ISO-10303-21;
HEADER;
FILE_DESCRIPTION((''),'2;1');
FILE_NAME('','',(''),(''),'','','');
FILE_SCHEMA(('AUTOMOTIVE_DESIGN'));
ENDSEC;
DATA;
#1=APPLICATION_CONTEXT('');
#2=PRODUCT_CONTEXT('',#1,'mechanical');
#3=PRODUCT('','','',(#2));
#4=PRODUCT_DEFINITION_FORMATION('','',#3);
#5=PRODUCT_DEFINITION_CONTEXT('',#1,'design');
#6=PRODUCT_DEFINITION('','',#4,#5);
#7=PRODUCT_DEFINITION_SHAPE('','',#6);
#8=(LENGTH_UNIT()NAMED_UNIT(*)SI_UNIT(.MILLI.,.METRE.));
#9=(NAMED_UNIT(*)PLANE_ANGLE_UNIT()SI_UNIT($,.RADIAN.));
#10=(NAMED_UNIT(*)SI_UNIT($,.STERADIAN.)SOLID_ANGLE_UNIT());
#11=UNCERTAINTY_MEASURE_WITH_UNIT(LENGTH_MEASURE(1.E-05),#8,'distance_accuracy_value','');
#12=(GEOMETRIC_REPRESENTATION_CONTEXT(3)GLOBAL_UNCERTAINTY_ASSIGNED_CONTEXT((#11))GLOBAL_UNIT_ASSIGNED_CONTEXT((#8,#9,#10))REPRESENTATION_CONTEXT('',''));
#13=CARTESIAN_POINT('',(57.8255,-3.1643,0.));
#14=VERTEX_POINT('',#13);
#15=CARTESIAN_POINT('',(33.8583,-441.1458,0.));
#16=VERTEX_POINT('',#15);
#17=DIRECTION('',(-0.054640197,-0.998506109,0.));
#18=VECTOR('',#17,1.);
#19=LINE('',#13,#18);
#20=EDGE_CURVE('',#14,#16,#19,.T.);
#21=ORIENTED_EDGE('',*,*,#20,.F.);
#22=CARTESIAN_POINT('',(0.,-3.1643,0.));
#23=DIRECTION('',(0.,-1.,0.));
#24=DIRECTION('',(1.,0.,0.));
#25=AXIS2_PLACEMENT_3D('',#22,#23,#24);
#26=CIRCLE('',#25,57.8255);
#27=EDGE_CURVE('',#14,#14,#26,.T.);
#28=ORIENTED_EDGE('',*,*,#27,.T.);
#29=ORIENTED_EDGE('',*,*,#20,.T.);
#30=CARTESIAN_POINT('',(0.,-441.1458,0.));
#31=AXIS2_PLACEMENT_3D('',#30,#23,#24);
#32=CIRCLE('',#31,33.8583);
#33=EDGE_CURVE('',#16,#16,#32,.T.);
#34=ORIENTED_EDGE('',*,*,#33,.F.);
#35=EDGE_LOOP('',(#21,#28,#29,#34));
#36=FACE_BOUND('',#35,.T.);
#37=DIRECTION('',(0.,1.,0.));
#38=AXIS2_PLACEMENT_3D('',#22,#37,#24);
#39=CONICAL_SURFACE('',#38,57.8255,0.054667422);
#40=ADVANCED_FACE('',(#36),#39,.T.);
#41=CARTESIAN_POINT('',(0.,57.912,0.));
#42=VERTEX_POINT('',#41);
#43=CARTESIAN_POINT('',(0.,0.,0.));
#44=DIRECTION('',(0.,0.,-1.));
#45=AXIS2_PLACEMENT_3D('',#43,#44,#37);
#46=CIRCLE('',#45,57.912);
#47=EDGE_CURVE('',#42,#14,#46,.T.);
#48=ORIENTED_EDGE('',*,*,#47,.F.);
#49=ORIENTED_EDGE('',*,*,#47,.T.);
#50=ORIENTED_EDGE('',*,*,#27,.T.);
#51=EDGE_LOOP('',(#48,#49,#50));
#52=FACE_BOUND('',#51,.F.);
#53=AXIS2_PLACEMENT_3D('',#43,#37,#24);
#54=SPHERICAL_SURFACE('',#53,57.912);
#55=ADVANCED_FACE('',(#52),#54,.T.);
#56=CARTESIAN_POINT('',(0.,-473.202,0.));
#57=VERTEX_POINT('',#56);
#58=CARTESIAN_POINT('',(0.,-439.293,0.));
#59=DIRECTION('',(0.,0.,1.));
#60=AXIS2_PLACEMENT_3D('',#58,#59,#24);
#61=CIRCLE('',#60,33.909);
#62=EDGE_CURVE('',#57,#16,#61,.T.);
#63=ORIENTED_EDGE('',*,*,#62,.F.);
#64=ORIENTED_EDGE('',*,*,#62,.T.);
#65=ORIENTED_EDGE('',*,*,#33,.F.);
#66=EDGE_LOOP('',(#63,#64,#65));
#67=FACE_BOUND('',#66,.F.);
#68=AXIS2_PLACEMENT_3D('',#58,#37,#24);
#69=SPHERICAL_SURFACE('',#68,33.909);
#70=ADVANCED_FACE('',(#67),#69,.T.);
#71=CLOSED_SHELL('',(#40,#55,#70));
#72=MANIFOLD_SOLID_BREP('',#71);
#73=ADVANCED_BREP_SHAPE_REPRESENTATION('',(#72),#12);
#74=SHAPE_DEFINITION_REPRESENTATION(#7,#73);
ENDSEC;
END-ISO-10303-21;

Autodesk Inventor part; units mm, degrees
ref_plane "YZ Plane" through (0, 0, 0) normal (1, 0, 0) x (0, 1, 0)
ref_plane "XZ Plane" through (0, 0, 0) normal (0, 1, 0) x (-1, 0, 0)
ref_plane "XY Plane" through (0, 0, 0) normal (0, 0, 1) x (1, 0, 0)
sketch "Sketch1" plane through (0, 0, 0) normal (0, 0, 1) x (1, 0, 0)
  circle A0 centre (0, 0) radius 57.912
  circle A1 centre (0, -439.293) radius 33.909
  line L0 (0, 57.912) -> (0, -473.202)
  line L1 (57.8255, -3.1643) -> (33.8583, -441.1458)
  dimension "d17" = 115.824
  dimension "d18" = 67.818
  dimension "d20" = 473.202
revolve "Revolution1" add sketch "Sketch1" angle 360 about axis through (0, 57.912, 0) along (0, -1, 0) picked at (18.6478, -16.249) picked at (18.4858, -432.321) contours A0 L0 | L1 A1 L0 A0 | A1 L0
equation "\"d17\" = KNEE_THK"
equation "\"d18\" = ANKLE_THK"
equation "\"d20\" = KNEE_TO_FOOT"
equation "\"d16\" = ELBOW_TO_WRIST"
equation "\"KNEE_THK\" = 115.824"
equation "\"ANKLE_THK\" = 67.818"
equation "\"KNEE_TO_FOOT\" = 473.202"
equation "\"ELBOW_TO_WRIST\" = 234.95"
properties part number "3D HUMAN"
